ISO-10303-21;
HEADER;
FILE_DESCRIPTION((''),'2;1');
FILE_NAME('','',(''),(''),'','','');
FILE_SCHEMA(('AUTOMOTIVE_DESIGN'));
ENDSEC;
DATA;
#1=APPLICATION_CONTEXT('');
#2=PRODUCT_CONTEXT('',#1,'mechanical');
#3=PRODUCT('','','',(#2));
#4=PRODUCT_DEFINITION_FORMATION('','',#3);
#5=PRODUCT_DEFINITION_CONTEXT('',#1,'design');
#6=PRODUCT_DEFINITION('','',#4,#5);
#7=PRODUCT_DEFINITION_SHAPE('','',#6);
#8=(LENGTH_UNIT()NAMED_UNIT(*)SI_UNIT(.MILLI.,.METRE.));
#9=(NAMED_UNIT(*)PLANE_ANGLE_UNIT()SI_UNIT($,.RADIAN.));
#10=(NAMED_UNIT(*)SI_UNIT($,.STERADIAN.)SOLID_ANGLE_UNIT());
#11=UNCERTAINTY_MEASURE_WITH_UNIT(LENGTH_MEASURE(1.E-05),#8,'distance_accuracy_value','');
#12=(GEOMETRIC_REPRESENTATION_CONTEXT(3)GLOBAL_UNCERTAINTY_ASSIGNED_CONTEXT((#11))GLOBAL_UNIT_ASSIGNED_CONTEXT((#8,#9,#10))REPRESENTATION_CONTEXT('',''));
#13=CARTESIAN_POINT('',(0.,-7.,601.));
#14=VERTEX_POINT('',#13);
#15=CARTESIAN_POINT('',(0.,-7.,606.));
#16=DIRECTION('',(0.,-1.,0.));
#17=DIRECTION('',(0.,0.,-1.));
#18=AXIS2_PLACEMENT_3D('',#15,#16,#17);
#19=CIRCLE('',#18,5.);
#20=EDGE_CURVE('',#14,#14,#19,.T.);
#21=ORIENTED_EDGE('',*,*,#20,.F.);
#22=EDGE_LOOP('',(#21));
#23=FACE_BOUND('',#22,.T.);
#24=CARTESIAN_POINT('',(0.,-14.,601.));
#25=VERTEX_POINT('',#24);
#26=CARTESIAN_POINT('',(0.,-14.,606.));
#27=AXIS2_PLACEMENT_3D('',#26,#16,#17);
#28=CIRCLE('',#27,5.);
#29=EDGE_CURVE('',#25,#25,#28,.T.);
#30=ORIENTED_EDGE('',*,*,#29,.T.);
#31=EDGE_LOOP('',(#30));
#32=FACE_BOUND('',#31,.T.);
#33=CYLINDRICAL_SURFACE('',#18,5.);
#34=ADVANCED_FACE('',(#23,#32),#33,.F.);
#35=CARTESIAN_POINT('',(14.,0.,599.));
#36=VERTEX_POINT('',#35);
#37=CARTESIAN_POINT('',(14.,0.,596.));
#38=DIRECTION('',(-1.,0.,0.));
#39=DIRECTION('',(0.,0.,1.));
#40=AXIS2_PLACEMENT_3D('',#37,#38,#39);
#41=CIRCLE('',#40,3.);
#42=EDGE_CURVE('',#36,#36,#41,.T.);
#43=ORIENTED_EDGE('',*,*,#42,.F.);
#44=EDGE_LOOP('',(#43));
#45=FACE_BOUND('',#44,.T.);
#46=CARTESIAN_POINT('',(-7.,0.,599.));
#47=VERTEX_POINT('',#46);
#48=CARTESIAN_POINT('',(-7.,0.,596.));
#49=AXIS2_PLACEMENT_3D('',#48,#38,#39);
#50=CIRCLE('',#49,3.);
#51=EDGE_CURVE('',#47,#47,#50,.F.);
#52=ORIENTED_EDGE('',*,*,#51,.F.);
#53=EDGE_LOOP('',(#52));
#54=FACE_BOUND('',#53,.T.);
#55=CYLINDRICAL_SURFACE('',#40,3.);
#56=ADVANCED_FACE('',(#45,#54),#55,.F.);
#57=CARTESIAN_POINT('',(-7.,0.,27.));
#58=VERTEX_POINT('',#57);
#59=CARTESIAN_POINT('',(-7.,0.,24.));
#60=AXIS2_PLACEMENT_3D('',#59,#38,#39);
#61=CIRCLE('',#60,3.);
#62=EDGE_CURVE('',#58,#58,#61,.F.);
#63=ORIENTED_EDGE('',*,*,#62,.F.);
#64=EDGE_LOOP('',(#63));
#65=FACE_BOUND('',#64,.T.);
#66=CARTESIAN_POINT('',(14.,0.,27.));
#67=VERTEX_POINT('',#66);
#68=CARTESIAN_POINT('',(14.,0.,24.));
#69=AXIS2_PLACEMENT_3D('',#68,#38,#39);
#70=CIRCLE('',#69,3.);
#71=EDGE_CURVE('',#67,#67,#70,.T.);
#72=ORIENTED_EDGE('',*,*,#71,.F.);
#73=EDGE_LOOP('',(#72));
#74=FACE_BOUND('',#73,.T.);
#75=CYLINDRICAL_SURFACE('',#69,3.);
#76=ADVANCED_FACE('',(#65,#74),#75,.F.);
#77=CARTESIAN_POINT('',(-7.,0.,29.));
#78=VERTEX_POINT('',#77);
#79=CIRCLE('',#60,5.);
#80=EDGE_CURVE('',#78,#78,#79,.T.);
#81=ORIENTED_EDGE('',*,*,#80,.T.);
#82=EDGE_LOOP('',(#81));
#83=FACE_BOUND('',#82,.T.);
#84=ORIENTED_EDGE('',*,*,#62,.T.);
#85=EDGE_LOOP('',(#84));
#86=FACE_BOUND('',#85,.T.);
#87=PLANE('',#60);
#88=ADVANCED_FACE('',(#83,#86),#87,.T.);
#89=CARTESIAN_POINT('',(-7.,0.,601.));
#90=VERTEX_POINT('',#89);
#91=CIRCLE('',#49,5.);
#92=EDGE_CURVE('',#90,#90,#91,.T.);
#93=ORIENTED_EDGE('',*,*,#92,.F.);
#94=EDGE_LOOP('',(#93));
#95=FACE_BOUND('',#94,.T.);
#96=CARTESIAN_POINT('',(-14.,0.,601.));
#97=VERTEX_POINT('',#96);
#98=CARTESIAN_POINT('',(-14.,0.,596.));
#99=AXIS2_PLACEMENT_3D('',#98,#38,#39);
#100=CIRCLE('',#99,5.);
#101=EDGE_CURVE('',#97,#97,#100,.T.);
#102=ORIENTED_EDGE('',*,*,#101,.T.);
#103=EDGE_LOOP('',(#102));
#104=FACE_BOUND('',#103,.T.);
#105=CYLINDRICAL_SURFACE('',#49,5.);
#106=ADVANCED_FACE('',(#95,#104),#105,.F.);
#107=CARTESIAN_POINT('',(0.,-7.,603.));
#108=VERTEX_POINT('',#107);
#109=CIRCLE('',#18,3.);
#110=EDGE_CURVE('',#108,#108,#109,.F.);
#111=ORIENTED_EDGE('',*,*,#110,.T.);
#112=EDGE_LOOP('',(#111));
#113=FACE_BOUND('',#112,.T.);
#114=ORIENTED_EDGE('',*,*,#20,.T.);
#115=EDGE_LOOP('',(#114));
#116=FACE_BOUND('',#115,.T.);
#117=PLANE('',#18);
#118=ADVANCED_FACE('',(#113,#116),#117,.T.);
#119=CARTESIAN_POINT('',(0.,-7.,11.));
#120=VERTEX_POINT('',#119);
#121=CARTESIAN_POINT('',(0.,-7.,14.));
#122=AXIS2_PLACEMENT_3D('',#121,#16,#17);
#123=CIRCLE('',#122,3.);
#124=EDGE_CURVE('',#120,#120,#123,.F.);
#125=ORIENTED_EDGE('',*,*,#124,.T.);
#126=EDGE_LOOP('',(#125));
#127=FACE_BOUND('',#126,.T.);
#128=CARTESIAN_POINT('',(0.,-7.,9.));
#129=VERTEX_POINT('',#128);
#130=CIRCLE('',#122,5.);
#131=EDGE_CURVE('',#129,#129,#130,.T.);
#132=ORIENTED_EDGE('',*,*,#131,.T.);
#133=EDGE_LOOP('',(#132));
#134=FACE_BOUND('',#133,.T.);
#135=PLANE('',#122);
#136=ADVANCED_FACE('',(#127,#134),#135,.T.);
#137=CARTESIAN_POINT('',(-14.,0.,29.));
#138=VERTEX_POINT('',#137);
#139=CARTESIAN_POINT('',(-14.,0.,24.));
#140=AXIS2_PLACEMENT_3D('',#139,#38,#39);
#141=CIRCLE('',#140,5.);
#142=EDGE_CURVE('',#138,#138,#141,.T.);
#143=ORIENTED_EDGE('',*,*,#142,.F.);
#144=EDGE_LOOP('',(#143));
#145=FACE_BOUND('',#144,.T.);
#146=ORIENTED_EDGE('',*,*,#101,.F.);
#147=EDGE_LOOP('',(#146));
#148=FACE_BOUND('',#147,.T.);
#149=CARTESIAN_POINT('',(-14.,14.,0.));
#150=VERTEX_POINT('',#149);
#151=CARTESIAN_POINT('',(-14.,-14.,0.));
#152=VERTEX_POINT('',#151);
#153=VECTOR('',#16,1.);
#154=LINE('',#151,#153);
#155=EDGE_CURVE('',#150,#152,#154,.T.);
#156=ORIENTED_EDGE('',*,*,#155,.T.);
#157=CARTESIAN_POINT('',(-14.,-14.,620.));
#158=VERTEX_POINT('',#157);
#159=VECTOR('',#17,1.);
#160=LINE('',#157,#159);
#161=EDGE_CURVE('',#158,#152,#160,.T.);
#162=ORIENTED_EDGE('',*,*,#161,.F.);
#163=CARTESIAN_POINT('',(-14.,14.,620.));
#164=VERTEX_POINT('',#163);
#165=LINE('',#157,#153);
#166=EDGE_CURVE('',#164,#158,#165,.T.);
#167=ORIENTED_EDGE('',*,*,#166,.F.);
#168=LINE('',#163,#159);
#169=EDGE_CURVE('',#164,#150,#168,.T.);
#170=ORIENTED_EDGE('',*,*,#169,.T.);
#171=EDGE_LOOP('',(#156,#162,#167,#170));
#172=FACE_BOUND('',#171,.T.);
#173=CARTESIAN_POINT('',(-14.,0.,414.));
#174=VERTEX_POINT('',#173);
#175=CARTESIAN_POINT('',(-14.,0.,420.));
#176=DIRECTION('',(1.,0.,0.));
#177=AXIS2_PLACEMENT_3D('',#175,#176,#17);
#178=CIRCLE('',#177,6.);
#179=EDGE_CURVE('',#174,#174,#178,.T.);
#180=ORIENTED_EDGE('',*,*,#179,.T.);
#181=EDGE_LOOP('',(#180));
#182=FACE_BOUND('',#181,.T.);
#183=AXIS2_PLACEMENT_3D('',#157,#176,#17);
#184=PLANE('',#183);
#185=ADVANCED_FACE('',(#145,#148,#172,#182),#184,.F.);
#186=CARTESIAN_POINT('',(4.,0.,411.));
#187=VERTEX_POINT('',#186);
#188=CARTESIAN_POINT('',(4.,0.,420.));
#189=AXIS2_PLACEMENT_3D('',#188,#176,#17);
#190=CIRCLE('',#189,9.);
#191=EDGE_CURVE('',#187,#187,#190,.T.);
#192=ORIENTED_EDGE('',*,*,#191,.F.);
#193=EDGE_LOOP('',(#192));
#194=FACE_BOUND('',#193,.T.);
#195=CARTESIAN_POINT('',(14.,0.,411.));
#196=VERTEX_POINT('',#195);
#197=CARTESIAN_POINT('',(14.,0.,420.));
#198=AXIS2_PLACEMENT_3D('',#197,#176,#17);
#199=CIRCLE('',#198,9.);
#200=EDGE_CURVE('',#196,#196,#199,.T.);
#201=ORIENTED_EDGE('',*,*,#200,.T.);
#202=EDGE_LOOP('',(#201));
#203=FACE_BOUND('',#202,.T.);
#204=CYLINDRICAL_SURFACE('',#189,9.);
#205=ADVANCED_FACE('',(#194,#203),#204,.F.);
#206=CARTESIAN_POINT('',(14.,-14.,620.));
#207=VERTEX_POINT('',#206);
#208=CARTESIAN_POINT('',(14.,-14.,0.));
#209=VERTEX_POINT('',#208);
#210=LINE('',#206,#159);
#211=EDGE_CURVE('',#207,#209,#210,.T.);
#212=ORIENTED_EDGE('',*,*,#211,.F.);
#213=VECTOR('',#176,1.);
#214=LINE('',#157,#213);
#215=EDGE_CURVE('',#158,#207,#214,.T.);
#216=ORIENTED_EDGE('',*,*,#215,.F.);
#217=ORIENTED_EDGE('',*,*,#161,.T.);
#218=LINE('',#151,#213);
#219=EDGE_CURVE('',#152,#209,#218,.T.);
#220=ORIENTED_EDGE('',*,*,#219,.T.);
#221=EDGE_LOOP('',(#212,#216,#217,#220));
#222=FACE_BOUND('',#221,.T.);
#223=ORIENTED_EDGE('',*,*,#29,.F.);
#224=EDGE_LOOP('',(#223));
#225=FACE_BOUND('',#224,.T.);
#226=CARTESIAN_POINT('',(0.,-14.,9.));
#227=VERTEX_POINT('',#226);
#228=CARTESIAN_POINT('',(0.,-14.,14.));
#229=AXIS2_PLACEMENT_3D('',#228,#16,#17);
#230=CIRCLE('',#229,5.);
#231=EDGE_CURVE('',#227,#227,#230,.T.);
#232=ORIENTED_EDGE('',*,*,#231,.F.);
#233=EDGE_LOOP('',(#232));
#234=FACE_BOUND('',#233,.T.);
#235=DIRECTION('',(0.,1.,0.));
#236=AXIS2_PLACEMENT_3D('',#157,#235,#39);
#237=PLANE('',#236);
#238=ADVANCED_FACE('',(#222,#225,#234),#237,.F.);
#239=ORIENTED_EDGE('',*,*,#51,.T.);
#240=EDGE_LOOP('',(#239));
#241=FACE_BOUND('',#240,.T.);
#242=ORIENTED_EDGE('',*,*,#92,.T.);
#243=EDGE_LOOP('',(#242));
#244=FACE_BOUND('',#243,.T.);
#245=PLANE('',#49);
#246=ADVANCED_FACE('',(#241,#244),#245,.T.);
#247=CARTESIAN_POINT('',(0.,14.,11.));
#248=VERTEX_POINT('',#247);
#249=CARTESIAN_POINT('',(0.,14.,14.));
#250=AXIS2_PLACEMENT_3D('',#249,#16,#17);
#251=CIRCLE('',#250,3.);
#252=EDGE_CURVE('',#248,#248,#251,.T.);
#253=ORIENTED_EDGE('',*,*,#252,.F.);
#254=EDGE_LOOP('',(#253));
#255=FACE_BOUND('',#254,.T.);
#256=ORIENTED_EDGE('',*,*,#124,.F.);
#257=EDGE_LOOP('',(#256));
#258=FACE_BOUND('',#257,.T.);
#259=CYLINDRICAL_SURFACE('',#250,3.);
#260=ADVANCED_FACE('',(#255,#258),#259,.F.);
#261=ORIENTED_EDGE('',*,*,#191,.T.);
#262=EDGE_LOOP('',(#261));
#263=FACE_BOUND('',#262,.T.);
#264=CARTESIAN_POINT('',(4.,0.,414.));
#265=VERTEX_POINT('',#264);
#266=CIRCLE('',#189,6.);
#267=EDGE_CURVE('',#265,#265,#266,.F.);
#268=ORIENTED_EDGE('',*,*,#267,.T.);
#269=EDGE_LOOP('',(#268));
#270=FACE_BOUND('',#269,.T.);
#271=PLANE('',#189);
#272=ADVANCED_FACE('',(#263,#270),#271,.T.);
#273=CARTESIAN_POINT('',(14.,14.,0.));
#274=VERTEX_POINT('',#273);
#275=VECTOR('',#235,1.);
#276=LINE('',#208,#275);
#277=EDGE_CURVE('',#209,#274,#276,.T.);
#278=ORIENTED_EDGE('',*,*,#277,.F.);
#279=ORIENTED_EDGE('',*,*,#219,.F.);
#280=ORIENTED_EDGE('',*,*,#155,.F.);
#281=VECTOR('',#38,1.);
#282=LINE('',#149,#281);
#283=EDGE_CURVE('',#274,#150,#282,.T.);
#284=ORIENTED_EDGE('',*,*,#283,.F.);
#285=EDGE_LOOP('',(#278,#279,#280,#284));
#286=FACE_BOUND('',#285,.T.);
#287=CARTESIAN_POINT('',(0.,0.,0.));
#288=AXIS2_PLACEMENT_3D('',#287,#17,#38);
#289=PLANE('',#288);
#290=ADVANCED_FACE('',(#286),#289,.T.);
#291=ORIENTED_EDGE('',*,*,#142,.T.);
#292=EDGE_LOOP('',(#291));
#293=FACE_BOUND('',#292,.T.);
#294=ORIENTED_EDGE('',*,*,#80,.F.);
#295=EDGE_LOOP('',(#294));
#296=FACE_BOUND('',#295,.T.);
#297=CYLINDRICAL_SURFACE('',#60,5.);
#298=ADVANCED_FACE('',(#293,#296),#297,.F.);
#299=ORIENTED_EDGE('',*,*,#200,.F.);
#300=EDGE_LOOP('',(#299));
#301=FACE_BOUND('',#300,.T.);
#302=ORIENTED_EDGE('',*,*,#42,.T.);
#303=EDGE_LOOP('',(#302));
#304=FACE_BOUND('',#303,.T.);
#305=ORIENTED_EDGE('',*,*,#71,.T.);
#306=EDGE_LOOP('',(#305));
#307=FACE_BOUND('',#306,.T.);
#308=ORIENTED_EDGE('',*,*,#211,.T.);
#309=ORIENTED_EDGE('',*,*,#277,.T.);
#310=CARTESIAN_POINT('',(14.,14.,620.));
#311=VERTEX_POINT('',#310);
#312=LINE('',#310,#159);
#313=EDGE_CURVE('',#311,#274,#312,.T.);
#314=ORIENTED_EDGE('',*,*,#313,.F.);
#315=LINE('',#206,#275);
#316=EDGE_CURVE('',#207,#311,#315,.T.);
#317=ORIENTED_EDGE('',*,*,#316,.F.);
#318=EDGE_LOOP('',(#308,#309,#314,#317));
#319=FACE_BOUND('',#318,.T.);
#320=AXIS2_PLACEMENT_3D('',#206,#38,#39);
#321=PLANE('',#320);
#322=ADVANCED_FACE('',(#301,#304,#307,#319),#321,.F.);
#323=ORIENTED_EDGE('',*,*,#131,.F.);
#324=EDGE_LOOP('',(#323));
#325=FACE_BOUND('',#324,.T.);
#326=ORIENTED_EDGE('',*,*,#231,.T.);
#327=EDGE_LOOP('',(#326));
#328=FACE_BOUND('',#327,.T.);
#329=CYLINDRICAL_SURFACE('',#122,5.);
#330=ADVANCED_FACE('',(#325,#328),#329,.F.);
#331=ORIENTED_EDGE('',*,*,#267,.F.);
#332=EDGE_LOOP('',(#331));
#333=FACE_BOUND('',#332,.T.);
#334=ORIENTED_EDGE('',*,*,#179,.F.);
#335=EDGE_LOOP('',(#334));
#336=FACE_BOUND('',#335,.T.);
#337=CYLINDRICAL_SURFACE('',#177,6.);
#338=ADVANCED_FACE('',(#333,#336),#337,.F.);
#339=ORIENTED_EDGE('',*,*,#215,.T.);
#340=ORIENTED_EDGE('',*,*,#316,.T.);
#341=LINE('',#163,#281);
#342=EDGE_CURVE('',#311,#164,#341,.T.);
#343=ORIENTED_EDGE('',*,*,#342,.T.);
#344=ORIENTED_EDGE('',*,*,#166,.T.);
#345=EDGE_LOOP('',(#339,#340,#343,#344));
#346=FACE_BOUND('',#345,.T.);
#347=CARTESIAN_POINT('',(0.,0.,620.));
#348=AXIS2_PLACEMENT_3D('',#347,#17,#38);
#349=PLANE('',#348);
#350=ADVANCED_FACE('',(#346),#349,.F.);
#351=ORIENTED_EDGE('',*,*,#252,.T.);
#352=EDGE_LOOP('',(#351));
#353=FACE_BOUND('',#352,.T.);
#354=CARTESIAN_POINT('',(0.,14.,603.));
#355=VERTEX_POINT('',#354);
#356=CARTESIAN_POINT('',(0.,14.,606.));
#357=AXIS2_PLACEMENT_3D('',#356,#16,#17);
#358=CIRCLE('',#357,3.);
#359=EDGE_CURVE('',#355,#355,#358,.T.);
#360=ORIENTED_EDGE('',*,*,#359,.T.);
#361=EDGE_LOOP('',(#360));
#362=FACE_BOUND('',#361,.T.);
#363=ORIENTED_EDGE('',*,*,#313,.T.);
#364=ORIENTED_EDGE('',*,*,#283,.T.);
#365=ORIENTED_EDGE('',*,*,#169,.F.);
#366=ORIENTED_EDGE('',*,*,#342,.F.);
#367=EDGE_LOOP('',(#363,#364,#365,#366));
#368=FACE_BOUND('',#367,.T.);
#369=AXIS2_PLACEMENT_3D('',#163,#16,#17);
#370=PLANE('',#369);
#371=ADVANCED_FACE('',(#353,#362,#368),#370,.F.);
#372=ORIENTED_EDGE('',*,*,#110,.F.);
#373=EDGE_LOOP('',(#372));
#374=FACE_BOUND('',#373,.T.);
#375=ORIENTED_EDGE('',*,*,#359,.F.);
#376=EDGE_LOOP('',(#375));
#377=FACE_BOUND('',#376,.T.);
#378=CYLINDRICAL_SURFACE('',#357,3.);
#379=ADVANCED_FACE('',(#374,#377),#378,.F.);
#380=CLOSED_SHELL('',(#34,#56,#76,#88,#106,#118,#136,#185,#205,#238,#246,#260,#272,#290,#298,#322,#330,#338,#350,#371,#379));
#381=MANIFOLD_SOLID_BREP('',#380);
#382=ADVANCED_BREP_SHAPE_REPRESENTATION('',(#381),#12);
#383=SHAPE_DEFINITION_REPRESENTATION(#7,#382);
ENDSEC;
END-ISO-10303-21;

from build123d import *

# Parameters (mm, degrees)
IZIM1_W                     = 28
IZIM1_H                     = 28
Y_KSEKLIK_EKSTR_ZYON1_DEPTH = 620
IZIM3_R                     = 3
KES_EKSTR_ZYON2_DEPTH       = 29
IZIM4_R                     = 5
KES_EKSTR_ZYON3_DEPTH       = 7
IZIM5_R                     = 6
KES_EKSTR_ZYON4_DEPTH       = 29
IZIM6_R                     = 9
KES_EKSTR_ZYON5_DEPTH       = 10
IZIM7_R                     = 3
KES_EKSTR_ZYON6_DEPTH       = 29
IZIM8_R                     = 5
KES_EKSTR_ZYON7_DEPTH       = 7


with BuildPart() as part:
    # Çizim1 → Yükseklik-Ekstrüzyon1 (new body)
    with BuildSketch(Plane.XY):
        Rectangle(IZIM1_W, IZIM1_H)
    extrude(amount=Y_KSEKLIK_EKSTR_ZYON1_DEPTH)

    # Çizim3 → Kes-Ekstrüzyon2 (cut, through all)
    with BuildSketch(Plane.XZ.offset(14)):
        with Locations((0, 14)):
            Circle(IZIM3_R)
        with Locations((0, 606)):
            Circle(IZIM3_R)
    extrude(amount=-KES_EKSTR_ZYON2_DEPTH, mode=Mode.SUBTRACT)

    # Çizim4 → Kes-Ekstrüzyon3 (cut)
    with BuildSketch(Plane.XZ.offset(14)):
        with Locations((0, 14)):
            Circle(IZIM4_R)
        with Locations((0, 606)):
            Circle(IZIM4_R)
    extrude(amount=-KES_EKSTR_ZYON3_DEPTH, mode=Mode.SUBTRACT)

    # Çizim5 → Kes-Ekstrüzyon4 (cut, through all)
    with BuildSketch(Plane(origin=(14, 0, 0), x_dir=(0, 0, -1), z_dir=(1, 0, 0))):
        with Locations((-420, 0)):
            Circle(IZIM5_R)
    extrude(amount=-KES_EKSTR_ZYON4_DEPTH, mode=Mode.SUBTRACT)

    # Çizim6 → Kes-Ekstrüzyon5 (cut)
    with BuildSketch(Plane(origin=(14, 0, 0), x_dir=(0, 0, -1), z_dir=(1, 0, 0))):
        with Locations((-420, 0)):
            Circle(IZIM6_R)
    extrude(amount=-KES_EKSTR_ZYON5_DEPTH, mode=Mode.SUBTRACT)

    # Çizim7 → Kes-Ekstrüzyon6 (cut, through all)
    with BuildSketch(Plane.ZY.offset(14)):
        with Locations((24, 0)):
            Circle(IZIM7_R)
        with Locations((596, 0)):
            Circle(IZIM7_R)
    extrude(amount=-KES_EKSTR_ZYON6_DEPTH, mode=Mode.SUBTRACT)

    # Çizim8 → Kes-Ekstrüzyon7 (cut)
    with BuildSketch(Plane.ZY.offset(14)):
        with Locations((24, 0)):
            Circle(IZIM8_R)
        with Locations((596, 0)):
            Circle(IZIM8_R)
    extrude(amount=-KES_EKSTR_ZYON7_DEPTH, mode=Mode.SUBTRACT)


solid = part.part
